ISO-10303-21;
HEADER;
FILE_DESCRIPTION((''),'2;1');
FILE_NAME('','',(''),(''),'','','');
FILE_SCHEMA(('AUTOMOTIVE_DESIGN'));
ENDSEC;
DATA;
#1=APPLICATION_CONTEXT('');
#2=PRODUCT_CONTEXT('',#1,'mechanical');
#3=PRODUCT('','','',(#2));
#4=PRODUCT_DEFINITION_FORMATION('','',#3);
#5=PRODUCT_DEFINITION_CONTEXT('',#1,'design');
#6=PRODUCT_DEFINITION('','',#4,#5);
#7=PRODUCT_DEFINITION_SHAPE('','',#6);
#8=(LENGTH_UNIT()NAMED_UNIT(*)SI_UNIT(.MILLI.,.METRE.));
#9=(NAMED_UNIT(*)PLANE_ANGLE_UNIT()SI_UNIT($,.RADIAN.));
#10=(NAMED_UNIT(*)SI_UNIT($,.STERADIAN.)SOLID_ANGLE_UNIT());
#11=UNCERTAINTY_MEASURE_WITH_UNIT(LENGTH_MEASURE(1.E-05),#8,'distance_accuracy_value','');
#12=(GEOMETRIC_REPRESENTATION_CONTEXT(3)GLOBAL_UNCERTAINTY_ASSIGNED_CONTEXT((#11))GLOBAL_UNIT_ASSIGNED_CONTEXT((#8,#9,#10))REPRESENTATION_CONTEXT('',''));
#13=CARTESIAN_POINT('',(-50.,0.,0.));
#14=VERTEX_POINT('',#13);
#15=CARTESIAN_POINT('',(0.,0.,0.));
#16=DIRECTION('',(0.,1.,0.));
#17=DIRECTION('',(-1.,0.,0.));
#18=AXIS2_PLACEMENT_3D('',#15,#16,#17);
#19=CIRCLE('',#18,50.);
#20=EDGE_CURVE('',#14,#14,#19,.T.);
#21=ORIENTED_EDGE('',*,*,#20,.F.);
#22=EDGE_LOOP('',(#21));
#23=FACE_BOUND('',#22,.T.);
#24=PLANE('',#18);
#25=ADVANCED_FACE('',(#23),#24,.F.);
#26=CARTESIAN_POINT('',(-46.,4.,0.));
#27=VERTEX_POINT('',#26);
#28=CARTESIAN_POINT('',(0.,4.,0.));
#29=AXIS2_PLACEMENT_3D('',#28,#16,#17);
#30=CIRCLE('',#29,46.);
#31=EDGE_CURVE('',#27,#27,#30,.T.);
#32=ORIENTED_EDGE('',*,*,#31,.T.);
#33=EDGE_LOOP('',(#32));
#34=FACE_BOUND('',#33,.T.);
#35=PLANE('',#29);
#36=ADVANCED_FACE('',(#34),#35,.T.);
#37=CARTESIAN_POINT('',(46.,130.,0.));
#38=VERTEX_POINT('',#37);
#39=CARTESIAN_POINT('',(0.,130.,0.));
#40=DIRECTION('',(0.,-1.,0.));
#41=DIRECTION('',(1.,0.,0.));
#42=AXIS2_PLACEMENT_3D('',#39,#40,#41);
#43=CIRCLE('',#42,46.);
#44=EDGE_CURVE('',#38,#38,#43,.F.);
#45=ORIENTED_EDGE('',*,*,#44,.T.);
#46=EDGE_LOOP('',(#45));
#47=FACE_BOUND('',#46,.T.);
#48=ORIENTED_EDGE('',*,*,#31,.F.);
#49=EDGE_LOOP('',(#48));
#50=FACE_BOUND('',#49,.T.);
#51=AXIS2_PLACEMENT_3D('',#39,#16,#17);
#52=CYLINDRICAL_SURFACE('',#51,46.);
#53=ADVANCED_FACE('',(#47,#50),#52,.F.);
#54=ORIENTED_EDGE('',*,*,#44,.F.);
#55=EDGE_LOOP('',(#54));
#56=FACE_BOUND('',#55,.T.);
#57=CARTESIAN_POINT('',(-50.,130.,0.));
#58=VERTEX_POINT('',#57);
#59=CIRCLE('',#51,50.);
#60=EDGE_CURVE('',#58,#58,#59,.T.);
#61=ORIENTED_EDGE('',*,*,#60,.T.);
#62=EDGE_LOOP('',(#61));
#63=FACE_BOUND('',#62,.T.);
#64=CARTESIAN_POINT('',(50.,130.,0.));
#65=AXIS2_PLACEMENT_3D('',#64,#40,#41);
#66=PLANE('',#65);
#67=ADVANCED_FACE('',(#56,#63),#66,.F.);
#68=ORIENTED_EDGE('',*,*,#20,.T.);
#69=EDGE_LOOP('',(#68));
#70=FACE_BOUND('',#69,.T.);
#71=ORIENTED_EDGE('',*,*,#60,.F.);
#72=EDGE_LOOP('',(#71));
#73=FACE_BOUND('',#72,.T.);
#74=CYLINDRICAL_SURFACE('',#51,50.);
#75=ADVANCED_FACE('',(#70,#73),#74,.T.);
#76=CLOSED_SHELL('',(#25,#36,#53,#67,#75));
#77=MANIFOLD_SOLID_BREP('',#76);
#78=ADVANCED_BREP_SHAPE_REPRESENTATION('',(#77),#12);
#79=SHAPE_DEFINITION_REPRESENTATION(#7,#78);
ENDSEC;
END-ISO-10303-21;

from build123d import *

# Parameters (mm, degrees)
SKETCH_2_W = 50
SKETCH_2_H = 130
SHELL_1_T  = -4


with BuildPart() as part:
    # 草图2 → 旋转1 (revolve)
    with BuildSketch(Plane.XY, mode=Mode.PRIVATE) as revolve_1_sk:
        with Locations((25, 65)):
            Rectangle(SKETCH_2_W, SKETCH_2_H)
    revolve(revolve_1_sk.sketch.rotate(Axis((0, 130, 0), (0, -1, 0)), 180), axis=Axis((0, 130, 0), (0, -1, 0)))

    # 抽壳1
    shell_1_openings = [part.faces().sort_by_distance(p)[0] for p in [
        (0, 130, 0),
    ]]
    offset(amount=SHELL_1_T, openings=shell_1_openings, kind=Kind.INTERSECTION)


solid = part.part
